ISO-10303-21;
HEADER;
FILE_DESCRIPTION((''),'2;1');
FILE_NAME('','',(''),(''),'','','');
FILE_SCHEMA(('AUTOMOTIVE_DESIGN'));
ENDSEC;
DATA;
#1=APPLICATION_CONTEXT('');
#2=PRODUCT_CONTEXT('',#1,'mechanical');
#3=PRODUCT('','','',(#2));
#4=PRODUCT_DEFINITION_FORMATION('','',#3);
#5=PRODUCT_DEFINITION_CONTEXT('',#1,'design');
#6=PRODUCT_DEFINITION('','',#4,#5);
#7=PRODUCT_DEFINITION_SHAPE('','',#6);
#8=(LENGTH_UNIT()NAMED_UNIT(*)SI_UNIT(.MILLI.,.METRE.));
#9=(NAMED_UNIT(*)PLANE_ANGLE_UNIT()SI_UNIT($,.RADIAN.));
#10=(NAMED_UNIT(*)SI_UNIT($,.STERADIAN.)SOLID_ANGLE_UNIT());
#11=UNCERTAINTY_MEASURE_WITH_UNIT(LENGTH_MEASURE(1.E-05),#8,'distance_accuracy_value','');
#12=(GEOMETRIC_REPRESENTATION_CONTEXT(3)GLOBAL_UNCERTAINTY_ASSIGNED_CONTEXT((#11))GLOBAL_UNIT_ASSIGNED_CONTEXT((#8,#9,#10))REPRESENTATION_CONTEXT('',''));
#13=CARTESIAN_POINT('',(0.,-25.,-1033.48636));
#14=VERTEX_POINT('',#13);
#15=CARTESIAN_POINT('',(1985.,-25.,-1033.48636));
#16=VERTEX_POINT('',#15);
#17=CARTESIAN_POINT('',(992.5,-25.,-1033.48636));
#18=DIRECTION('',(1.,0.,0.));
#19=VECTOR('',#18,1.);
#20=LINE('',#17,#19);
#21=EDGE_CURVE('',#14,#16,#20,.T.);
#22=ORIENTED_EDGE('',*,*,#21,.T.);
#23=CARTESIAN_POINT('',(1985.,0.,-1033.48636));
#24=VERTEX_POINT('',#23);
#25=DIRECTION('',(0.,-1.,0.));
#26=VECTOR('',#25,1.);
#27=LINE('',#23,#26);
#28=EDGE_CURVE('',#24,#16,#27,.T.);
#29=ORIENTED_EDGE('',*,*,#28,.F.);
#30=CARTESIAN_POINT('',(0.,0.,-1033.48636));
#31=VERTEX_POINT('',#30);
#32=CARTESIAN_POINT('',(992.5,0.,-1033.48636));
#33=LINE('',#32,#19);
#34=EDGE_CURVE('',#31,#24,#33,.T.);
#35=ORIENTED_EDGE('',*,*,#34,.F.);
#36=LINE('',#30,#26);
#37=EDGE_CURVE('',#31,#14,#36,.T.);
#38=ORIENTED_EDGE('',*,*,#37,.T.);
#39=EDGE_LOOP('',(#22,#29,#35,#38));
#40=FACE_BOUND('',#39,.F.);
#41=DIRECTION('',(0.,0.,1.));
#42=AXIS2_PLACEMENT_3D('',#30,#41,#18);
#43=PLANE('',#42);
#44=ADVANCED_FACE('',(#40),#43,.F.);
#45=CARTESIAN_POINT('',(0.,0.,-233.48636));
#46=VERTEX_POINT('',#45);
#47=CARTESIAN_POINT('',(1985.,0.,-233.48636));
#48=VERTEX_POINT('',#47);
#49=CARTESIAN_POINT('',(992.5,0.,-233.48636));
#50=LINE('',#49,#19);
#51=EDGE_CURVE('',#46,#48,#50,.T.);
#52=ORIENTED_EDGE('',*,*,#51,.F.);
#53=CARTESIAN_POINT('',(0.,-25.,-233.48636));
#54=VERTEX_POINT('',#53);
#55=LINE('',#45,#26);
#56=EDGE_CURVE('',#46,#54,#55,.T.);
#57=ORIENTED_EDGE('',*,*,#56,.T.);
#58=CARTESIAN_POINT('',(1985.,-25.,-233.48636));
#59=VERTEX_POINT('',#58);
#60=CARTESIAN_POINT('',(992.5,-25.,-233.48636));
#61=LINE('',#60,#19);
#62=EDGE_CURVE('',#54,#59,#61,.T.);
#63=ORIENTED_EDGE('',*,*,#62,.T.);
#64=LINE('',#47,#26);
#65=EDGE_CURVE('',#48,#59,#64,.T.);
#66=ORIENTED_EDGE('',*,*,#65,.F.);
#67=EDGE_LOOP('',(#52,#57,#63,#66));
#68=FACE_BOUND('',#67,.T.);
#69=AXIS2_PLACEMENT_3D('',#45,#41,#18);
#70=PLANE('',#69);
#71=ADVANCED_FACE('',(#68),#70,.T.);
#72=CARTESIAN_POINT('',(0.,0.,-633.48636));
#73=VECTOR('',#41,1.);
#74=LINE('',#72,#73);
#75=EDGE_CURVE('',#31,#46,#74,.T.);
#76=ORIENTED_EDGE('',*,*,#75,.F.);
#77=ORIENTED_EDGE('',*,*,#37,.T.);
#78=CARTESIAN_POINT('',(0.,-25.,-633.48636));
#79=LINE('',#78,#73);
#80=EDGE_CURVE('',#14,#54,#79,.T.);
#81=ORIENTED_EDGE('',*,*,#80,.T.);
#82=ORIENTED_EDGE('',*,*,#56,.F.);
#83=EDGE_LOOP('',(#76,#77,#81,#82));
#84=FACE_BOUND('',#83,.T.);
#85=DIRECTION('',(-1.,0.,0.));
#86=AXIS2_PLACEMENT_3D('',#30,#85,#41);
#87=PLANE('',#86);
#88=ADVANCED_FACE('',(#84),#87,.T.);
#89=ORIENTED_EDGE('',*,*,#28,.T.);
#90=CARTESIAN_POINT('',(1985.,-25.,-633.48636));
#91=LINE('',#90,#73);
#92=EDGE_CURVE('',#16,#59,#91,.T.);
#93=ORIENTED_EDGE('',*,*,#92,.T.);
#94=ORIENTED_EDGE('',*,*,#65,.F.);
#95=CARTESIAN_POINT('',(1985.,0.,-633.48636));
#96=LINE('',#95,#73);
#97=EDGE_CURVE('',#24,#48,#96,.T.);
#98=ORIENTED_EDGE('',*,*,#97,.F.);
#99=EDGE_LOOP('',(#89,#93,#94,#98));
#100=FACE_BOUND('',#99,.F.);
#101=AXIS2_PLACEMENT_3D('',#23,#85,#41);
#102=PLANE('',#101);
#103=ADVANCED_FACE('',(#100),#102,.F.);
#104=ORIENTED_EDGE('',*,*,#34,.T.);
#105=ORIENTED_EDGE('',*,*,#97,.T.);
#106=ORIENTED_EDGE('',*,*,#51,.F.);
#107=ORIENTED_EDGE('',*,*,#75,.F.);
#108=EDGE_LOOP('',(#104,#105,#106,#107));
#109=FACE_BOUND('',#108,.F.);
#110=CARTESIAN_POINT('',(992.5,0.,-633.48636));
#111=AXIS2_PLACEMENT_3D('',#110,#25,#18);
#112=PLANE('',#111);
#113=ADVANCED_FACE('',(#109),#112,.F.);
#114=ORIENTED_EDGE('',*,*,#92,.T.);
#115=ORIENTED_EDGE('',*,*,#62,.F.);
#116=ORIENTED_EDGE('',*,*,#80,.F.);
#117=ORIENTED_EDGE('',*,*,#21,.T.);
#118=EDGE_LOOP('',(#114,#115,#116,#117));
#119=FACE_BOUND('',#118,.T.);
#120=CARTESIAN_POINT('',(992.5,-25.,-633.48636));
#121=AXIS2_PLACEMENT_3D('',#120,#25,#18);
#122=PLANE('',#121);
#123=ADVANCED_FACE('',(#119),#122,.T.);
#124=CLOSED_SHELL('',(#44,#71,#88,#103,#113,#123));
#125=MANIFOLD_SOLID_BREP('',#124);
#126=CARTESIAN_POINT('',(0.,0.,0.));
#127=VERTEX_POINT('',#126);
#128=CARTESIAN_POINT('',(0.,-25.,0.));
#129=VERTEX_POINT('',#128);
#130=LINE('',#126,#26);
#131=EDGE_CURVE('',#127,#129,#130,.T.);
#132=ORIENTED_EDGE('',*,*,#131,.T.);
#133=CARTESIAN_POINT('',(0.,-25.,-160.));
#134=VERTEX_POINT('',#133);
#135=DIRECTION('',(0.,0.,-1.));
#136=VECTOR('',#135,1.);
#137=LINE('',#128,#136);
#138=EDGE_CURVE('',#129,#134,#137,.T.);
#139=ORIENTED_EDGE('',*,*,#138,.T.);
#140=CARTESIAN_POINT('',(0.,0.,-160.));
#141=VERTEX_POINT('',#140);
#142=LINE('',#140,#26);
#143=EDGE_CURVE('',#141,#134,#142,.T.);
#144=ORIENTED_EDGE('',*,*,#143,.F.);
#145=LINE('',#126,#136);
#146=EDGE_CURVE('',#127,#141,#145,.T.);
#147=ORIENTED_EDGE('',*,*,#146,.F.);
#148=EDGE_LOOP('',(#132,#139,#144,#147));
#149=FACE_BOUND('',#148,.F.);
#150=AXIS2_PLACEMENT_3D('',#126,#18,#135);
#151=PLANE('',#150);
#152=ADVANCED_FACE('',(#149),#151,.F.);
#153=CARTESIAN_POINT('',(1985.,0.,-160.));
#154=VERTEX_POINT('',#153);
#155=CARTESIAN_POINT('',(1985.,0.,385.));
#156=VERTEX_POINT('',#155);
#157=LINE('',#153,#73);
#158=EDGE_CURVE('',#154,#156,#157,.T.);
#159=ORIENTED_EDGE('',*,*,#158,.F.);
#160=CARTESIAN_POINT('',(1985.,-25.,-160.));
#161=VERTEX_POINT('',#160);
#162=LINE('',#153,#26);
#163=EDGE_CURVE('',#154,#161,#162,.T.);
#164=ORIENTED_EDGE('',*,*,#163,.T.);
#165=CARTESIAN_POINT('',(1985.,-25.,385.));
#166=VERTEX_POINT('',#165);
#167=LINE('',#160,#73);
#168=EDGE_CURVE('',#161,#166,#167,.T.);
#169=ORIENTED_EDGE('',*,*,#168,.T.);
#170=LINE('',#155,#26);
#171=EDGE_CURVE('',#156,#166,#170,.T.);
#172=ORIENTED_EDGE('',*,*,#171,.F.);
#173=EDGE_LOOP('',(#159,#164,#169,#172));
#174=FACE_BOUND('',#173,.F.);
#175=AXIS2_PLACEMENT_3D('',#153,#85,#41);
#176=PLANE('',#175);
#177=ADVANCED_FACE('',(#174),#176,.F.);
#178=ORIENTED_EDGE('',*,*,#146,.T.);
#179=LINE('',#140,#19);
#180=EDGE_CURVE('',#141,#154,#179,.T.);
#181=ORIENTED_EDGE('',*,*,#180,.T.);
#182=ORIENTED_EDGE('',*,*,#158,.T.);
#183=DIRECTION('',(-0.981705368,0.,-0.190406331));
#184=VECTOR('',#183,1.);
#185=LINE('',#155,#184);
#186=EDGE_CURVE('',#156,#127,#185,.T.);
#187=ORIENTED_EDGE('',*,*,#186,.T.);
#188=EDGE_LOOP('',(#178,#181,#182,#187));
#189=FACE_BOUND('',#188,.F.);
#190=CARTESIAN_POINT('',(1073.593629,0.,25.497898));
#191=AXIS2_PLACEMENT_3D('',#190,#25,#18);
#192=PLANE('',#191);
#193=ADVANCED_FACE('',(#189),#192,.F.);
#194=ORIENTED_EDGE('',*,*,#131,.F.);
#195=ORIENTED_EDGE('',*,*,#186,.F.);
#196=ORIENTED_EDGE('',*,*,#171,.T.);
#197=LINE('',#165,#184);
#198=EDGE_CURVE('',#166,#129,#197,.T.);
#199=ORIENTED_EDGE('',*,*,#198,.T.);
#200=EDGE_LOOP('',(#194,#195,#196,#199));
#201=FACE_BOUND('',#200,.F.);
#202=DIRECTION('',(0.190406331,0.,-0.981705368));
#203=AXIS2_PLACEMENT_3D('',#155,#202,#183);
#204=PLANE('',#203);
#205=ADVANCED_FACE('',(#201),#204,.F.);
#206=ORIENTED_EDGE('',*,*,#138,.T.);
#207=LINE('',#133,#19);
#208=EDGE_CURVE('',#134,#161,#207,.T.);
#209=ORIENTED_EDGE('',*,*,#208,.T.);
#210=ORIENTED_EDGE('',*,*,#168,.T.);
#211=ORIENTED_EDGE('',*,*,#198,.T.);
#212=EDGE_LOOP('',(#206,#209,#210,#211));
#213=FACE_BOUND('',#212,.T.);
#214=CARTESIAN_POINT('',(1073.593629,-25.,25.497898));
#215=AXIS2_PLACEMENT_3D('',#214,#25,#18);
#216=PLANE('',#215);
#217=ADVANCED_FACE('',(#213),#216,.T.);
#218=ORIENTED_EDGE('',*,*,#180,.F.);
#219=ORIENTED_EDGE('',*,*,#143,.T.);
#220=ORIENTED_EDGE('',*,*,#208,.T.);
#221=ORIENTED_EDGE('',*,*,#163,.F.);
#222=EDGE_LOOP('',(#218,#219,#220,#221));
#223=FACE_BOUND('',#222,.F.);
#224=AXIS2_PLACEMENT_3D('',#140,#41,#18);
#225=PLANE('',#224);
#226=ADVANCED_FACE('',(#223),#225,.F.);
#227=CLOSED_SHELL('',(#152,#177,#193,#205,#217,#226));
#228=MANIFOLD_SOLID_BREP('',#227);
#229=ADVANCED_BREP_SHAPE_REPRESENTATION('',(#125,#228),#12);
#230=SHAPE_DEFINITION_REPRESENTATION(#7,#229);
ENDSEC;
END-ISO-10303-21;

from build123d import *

# Parameters (mm, degrees)
F0_W     = 1985
F0_H     = 800
F1_DEPTH = 25


with BuildPart() as f1:
    # F0 (on Front) → F1 (new body)
    with BuildSketch(Plane.XZ):
        Polygon((1985, 385), (0, 0), (0, -160), (1985, -160), align=None)
        with Locations((992.5, -633.48636)):
            Rectangle(F0_W, F0_H)
    extrude(amount=F1_DEPTH)


solid = f1.part
